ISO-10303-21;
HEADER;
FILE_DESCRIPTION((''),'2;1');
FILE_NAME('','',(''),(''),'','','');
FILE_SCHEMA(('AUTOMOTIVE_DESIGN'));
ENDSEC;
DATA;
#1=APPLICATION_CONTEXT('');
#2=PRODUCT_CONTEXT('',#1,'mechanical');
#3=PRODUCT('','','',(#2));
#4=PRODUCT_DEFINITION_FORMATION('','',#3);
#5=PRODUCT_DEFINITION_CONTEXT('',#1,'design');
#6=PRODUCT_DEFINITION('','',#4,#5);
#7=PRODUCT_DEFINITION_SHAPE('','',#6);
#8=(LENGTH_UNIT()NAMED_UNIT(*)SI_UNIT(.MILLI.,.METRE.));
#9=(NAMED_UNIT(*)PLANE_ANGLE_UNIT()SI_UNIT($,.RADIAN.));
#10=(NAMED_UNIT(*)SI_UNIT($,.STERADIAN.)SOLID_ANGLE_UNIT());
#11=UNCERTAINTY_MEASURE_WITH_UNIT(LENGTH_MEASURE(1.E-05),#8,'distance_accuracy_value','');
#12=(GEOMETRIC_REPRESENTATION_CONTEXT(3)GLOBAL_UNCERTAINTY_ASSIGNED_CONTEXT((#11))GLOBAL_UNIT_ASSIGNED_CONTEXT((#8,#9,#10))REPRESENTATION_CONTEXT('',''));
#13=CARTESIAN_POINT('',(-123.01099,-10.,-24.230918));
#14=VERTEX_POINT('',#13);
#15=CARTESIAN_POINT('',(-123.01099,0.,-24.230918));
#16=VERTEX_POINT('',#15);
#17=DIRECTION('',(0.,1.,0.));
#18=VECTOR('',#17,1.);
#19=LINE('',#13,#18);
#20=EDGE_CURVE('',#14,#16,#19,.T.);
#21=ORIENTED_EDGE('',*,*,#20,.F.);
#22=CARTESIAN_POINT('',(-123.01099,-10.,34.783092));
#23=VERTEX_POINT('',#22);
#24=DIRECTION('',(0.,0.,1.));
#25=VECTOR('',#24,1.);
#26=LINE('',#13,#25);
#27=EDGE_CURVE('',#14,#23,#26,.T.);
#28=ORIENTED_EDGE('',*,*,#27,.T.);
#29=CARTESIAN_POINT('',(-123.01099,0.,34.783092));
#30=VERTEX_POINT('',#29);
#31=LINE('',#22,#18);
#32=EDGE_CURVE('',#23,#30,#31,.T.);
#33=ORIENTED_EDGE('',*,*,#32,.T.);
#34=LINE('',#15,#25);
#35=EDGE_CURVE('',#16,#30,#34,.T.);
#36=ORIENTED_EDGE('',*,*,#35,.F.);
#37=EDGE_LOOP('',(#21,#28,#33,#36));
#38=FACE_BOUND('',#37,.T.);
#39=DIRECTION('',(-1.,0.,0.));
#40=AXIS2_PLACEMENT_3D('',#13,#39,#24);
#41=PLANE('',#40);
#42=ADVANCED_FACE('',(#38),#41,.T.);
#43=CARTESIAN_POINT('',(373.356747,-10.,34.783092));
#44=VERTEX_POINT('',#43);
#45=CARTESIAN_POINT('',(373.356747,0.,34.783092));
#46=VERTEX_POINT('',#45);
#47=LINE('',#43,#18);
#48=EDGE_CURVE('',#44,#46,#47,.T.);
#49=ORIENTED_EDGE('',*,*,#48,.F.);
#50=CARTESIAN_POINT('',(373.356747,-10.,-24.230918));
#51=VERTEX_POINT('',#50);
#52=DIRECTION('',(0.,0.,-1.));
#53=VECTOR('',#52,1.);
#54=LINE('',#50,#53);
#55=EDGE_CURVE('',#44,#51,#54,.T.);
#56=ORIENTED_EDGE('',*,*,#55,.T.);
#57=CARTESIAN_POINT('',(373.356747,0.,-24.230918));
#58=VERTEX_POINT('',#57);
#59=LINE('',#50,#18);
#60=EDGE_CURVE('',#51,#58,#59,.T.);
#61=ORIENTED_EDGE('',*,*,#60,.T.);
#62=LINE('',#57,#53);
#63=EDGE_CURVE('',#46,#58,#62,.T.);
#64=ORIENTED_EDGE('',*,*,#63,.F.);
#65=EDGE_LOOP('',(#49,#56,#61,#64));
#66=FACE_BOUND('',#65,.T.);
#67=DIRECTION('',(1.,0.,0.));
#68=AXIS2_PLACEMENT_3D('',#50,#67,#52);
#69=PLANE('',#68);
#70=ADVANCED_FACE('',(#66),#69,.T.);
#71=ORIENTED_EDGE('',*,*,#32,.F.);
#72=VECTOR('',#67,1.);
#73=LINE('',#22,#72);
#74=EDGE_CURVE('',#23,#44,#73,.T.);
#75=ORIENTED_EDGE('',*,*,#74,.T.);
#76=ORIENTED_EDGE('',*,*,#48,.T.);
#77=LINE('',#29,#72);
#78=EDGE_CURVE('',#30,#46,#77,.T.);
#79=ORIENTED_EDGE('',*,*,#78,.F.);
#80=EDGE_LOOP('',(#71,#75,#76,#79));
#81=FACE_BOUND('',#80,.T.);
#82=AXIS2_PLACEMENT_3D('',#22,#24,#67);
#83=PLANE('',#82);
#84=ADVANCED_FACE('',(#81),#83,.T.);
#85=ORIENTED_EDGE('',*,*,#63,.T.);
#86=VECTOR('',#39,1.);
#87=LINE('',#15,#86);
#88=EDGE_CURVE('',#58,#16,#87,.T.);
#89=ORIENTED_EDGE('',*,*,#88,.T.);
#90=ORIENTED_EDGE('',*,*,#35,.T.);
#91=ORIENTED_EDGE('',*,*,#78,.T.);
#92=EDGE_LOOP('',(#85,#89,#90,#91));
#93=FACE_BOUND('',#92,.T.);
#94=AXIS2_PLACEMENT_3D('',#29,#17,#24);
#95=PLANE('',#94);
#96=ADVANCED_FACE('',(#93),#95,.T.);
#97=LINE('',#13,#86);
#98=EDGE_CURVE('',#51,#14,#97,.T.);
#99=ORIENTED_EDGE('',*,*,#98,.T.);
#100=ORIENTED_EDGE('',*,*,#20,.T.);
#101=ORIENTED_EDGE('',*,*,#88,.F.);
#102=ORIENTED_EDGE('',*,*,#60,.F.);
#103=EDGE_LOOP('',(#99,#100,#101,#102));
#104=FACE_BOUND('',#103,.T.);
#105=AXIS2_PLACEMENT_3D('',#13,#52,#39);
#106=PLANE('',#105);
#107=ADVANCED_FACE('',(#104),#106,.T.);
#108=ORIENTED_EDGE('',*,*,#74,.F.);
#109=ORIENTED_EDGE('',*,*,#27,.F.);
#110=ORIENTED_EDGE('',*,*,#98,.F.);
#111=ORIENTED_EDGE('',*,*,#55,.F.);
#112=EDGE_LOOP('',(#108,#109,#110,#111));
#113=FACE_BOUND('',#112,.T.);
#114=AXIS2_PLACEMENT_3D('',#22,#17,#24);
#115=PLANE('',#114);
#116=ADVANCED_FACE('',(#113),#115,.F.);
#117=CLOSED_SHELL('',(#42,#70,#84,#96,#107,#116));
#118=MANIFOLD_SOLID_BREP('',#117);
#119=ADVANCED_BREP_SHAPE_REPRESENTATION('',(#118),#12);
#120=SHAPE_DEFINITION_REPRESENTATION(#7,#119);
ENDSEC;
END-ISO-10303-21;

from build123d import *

# Parameters (mm, degrees)
SKETCH1_W      = 496.367737117
SKETCH1_H      = 59.014009661
EXTRUDE1_DEPTH = 10


with BuildPart() as part:
    # Sketch1 → Extrude1 (new body)
    with BuildSketch(Plane(origin=(0, 0, 0), x_dir=(1, 0, 0), z_dir=(0, 1, 0))):
        with Locations((125.172878221, -5.276086957)):
            Rectangle(SKETCH1_W, SKETCH1_H)
    extrude(amount=-EXTRUDE1_DEPTH)


solid = part.part
